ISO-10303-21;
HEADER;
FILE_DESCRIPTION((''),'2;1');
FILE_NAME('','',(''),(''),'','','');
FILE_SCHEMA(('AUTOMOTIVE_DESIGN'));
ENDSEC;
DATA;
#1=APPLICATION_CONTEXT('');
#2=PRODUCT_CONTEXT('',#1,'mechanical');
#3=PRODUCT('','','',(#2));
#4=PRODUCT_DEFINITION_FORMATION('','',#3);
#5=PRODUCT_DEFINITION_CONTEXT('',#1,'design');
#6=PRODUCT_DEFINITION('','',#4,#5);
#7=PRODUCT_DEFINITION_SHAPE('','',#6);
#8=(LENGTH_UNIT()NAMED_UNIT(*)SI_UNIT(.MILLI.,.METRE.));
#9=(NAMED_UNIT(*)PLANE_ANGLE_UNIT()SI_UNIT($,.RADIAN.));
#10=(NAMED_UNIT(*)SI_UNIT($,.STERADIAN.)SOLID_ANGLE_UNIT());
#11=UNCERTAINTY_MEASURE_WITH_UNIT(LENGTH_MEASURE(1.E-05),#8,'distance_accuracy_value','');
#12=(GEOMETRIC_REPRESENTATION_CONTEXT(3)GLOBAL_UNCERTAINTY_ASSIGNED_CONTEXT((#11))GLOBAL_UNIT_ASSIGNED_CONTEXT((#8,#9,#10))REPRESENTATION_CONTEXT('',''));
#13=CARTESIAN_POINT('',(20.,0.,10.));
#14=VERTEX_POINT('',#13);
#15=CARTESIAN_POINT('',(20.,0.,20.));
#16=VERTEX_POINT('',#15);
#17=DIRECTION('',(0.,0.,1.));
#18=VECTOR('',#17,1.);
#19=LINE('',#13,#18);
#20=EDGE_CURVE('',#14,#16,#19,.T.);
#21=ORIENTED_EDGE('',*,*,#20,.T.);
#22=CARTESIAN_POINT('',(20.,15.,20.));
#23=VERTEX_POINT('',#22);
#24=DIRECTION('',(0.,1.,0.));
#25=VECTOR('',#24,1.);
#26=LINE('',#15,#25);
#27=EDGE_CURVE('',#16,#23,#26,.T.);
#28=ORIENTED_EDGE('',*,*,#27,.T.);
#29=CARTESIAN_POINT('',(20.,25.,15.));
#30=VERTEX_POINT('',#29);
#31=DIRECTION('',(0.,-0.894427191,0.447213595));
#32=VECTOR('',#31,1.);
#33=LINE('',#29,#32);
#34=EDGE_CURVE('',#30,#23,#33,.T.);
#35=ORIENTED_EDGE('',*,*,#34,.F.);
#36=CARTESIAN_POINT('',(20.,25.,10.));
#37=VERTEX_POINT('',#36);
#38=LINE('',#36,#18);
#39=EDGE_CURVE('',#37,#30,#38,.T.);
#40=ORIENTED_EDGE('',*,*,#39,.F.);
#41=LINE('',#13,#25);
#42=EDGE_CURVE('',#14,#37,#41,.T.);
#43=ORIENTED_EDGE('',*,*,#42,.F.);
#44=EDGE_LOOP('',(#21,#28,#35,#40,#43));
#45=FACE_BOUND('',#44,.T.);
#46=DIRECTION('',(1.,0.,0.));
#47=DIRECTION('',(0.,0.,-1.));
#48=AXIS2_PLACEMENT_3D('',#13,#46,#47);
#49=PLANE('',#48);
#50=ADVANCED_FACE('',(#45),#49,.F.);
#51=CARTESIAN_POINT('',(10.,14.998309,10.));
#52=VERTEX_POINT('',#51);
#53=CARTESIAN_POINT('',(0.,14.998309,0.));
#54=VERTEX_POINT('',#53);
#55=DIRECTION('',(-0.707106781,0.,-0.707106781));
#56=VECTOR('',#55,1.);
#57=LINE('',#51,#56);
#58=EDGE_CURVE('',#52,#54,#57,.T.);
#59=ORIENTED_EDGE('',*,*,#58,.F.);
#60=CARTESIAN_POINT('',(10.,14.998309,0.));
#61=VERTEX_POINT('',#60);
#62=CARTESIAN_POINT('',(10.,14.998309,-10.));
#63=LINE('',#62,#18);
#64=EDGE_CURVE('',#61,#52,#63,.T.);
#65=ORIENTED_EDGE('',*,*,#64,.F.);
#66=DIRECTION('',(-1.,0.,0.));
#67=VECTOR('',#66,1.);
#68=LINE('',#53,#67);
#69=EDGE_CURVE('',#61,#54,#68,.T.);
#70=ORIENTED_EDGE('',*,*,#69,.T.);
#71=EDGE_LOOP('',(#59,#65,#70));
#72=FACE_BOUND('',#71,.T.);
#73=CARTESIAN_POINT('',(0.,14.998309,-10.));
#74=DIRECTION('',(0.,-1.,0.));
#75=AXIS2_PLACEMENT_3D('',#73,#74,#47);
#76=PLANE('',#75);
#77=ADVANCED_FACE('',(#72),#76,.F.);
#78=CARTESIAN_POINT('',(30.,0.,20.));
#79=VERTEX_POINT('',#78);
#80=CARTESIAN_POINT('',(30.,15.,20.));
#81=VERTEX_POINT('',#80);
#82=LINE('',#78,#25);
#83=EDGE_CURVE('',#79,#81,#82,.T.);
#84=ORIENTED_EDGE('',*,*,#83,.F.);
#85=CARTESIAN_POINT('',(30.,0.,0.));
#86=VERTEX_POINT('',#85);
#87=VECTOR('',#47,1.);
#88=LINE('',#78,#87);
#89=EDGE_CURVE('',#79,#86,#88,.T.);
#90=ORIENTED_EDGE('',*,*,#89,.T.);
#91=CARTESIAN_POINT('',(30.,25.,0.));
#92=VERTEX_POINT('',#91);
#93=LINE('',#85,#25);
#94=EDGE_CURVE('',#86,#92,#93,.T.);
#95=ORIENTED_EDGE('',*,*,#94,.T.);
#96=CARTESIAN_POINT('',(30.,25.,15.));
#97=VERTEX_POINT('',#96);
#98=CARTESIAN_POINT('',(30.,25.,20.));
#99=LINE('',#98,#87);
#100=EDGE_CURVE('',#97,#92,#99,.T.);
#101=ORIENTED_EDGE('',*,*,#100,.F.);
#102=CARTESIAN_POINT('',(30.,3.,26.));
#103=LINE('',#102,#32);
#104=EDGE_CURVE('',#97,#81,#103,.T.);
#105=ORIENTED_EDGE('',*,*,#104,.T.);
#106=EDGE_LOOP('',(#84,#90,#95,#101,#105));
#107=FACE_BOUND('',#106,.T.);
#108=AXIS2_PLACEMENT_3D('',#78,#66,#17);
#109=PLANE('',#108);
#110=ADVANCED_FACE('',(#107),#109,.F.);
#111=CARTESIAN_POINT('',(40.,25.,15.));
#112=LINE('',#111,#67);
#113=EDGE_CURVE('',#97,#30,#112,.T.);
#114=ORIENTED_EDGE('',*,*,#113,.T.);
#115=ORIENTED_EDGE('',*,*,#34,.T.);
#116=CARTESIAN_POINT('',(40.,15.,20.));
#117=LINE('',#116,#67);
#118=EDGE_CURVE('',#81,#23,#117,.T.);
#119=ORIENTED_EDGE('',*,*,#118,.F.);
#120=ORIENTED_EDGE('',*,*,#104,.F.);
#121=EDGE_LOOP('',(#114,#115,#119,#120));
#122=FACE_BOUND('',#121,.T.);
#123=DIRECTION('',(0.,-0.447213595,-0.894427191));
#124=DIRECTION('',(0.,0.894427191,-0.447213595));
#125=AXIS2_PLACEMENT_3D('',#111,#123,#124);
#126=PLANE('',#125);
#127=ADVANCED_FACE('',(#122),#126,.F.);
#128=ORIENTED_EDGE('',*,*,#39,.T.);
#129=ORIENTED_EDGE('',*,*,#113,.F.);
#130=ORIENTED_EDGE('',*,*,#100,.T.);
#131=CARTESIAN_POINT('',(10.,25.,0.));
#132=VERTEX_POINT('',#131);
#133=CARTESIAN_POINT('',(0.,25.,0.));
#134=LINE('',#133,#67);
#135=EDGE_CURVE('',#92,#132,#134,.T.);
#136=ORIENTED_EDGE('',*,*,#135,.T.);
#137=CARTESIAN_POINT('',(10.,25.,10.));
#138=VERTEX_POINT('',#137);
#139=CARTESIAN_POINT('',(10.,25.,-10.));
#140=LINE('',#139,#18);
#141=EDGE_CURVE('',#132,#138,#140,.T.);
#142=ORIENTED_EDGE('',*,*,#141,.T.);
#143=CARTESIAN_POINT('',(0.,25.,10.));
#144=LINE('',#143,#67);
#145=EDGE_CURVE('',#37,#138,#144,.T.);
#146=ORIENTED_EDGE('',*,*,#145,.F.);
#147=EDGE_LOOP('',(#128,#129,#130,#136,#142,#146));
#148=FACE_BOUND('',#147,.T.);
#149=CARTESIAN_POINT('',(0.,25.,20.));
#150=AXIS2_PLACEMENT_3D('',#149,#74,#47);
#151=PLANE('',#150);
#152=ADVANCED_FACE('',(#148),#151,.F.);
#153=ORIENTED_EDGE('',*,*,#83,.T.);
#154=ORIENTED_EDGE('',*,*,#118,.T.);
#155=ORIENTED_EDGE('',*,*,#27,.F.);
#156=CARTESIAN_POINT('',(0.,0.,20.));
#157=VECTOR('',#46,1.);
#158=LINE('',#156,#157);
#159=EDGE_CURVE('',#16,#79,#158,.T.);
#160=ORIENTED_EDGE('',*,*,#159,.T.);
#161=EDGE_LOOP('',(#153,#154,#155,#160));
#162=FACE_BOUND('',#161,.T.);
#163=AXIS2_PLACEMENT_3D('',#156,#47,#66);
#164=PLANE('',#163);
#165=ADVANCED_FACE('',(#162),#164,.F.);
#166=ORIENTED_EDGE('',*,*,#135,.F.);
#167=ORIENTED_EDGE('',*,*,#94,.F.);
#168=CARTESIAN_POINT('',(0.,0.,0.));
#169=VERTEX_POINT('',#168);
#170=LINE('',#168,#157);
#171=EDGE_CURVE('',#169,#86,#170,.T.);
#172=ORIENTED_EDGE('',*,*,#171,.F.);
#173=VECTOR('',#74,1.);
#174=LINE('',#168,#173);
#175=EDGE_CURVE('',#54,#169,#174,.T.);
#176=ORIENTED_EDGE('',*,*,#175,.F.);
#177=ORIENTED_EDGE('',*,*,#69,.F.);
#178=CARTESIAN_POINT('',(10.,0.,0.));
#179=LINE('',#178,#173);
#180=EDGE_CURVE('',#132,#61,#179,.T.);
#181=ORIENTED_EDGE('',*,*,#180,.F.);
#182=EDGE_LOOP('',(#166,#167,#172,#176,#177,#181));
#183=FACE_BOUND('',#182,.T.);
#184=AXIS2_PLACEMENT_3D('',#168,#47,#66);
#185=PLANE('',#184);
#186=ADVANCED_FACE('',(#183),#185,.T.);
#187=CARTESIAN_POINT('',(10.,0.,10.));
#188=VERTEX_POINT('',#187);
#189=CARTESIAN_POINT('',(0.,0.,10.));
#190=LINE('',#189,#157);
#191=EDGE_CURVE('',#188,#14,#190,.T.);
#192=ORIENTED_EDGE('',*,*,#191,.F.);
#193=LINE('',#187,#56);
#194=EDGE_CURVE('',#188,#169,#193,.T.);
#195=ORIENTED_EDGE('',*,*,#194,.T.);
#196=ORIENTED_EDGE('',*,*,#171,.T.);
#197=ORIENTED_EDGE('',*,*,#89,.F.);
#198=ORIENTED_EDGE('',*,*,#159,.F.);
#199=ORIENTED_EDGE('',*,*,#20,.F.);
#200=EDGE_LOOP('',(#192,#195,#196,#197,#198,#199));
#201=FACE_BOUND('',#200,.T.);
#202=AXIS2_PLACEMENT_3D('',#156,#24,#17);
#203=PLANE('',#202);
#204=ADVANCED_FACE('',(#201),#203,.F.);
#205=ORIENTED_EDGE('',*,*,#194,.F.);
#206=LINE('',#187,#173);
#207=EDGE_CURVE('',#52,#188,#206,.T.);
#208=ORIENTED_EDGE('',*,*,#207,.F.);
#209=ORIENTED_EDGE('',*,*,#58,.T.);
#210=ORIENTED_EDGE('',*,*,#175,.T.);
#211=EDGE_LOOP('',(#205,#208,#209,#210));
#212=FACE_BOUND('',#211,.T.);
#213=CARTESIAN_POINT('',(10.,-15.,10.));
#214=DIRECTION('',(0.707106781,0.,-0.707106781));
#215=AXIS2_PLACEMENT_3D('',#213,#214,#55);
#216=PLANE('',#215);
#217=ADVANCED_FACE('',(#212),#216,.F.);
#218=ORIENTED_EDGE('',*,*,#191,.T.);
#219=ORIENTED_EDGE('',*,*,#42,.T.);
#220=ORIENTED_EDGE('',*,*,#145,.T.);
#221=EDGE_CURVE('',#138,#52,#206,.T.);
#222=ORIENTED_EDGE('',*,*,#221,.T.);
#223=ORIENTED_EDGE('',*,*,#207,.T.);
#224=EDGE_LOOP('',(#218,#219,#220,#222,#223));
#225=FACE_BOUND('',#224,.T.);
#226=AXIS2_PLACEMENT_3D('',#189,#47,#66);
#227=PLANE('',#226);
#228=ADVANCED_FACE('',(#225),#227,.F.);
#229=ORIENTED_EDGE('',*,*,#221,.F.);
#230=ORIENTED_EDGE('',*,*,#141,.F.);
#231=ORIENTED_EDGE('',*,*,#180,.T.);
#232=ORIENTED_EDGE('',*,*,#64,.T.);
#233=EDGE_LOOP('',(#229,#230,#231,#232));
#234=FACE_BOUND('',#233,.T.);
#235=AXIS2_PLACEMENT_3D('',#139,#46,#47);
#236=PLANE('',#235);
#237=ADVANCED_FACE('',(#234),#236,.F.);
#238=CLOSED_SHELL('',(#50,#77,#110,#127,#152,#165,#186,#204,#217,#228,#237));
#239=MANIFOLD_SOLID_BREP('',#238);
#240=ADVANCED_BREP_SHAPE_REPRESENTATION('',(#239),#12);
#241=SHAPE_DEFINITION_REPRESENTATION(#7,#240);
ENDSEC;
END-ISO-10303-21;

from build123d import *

# Parameters (mm, degrees)
SKETCH1_W           = 30
SKETCH1_H           = 25
BOSS_EXTRUDE1_DEPTH = 20
SKETCH2_W           = 20
SKETCH2_H           = 25
CUT_EXTRUDE1_DEPTH  = 10
CUT_EXTRUDE2_DEPTH  = 20
CUT_EXTRUDE3_DEPTH  = 40
SKETCH5_W           = 10
SKETCH5_H           = 10.001690502
CUT_EXTRUDE4_DEPTH  = 20


with BuildPart() as part:
    # Sketch1 → Boss-Extrude1 (new body)
    with BuildSketch(Plane.XY):
        with Locations((15, 12.5)):
            Rectangle(SKETCH1_W, SKETCH1_H)
    extrude(amount=BOSS_EXTRUDE1_DEPTH)

    # Sketch2 → Cut-Extrude1 (cut)
    with BuildSketch(Plane.XY.offset(20)):
        with Locations((10, 12.5)):
            Rectangle(SKETCH2_W, SKETCH2_H)
    extrude(amount=-CUT_EXTRUDE1_DEPTH, mode=Mode.SUBTRACT)

    # Sketch3 → Cut-Extrude2 (cut)
    with BuildSketch(Plane.ZY.offset(-20)):
        Polygon((15, 25), (20, 15), (20, 25), align=None)
    extrude(amount=-CUT_EXTRUDE2_DEPTH, mode=Mode.SUBTRACT)

    # Sketch4 → Cut-Extrude3 (cut)
    with BuildSketch(Plane(origin=(0, 25, 0), x_dir=(1, 0, 0), z_dir=(0, 1, 0))):
        Polygon((0, -10), (10, -10), (0, 0), align=None)
    extrude(amount=-CUT_EXTRUDE3_DEPTH, mode=Mode.SUBTRACT)

    # Sketch5 → Cut-Extrude4 (cut)
    with BuildSketch(Plane.XY.offset(10)):
        with Locations((5, 19.999154749)):
            Rectangle(SKETCH5_W, SKETCH5_H)
    extrude(amount=-CUT_EXTRUDE4_DEPTH, mode=Mode.SUBTRACT)


solid = part.part
